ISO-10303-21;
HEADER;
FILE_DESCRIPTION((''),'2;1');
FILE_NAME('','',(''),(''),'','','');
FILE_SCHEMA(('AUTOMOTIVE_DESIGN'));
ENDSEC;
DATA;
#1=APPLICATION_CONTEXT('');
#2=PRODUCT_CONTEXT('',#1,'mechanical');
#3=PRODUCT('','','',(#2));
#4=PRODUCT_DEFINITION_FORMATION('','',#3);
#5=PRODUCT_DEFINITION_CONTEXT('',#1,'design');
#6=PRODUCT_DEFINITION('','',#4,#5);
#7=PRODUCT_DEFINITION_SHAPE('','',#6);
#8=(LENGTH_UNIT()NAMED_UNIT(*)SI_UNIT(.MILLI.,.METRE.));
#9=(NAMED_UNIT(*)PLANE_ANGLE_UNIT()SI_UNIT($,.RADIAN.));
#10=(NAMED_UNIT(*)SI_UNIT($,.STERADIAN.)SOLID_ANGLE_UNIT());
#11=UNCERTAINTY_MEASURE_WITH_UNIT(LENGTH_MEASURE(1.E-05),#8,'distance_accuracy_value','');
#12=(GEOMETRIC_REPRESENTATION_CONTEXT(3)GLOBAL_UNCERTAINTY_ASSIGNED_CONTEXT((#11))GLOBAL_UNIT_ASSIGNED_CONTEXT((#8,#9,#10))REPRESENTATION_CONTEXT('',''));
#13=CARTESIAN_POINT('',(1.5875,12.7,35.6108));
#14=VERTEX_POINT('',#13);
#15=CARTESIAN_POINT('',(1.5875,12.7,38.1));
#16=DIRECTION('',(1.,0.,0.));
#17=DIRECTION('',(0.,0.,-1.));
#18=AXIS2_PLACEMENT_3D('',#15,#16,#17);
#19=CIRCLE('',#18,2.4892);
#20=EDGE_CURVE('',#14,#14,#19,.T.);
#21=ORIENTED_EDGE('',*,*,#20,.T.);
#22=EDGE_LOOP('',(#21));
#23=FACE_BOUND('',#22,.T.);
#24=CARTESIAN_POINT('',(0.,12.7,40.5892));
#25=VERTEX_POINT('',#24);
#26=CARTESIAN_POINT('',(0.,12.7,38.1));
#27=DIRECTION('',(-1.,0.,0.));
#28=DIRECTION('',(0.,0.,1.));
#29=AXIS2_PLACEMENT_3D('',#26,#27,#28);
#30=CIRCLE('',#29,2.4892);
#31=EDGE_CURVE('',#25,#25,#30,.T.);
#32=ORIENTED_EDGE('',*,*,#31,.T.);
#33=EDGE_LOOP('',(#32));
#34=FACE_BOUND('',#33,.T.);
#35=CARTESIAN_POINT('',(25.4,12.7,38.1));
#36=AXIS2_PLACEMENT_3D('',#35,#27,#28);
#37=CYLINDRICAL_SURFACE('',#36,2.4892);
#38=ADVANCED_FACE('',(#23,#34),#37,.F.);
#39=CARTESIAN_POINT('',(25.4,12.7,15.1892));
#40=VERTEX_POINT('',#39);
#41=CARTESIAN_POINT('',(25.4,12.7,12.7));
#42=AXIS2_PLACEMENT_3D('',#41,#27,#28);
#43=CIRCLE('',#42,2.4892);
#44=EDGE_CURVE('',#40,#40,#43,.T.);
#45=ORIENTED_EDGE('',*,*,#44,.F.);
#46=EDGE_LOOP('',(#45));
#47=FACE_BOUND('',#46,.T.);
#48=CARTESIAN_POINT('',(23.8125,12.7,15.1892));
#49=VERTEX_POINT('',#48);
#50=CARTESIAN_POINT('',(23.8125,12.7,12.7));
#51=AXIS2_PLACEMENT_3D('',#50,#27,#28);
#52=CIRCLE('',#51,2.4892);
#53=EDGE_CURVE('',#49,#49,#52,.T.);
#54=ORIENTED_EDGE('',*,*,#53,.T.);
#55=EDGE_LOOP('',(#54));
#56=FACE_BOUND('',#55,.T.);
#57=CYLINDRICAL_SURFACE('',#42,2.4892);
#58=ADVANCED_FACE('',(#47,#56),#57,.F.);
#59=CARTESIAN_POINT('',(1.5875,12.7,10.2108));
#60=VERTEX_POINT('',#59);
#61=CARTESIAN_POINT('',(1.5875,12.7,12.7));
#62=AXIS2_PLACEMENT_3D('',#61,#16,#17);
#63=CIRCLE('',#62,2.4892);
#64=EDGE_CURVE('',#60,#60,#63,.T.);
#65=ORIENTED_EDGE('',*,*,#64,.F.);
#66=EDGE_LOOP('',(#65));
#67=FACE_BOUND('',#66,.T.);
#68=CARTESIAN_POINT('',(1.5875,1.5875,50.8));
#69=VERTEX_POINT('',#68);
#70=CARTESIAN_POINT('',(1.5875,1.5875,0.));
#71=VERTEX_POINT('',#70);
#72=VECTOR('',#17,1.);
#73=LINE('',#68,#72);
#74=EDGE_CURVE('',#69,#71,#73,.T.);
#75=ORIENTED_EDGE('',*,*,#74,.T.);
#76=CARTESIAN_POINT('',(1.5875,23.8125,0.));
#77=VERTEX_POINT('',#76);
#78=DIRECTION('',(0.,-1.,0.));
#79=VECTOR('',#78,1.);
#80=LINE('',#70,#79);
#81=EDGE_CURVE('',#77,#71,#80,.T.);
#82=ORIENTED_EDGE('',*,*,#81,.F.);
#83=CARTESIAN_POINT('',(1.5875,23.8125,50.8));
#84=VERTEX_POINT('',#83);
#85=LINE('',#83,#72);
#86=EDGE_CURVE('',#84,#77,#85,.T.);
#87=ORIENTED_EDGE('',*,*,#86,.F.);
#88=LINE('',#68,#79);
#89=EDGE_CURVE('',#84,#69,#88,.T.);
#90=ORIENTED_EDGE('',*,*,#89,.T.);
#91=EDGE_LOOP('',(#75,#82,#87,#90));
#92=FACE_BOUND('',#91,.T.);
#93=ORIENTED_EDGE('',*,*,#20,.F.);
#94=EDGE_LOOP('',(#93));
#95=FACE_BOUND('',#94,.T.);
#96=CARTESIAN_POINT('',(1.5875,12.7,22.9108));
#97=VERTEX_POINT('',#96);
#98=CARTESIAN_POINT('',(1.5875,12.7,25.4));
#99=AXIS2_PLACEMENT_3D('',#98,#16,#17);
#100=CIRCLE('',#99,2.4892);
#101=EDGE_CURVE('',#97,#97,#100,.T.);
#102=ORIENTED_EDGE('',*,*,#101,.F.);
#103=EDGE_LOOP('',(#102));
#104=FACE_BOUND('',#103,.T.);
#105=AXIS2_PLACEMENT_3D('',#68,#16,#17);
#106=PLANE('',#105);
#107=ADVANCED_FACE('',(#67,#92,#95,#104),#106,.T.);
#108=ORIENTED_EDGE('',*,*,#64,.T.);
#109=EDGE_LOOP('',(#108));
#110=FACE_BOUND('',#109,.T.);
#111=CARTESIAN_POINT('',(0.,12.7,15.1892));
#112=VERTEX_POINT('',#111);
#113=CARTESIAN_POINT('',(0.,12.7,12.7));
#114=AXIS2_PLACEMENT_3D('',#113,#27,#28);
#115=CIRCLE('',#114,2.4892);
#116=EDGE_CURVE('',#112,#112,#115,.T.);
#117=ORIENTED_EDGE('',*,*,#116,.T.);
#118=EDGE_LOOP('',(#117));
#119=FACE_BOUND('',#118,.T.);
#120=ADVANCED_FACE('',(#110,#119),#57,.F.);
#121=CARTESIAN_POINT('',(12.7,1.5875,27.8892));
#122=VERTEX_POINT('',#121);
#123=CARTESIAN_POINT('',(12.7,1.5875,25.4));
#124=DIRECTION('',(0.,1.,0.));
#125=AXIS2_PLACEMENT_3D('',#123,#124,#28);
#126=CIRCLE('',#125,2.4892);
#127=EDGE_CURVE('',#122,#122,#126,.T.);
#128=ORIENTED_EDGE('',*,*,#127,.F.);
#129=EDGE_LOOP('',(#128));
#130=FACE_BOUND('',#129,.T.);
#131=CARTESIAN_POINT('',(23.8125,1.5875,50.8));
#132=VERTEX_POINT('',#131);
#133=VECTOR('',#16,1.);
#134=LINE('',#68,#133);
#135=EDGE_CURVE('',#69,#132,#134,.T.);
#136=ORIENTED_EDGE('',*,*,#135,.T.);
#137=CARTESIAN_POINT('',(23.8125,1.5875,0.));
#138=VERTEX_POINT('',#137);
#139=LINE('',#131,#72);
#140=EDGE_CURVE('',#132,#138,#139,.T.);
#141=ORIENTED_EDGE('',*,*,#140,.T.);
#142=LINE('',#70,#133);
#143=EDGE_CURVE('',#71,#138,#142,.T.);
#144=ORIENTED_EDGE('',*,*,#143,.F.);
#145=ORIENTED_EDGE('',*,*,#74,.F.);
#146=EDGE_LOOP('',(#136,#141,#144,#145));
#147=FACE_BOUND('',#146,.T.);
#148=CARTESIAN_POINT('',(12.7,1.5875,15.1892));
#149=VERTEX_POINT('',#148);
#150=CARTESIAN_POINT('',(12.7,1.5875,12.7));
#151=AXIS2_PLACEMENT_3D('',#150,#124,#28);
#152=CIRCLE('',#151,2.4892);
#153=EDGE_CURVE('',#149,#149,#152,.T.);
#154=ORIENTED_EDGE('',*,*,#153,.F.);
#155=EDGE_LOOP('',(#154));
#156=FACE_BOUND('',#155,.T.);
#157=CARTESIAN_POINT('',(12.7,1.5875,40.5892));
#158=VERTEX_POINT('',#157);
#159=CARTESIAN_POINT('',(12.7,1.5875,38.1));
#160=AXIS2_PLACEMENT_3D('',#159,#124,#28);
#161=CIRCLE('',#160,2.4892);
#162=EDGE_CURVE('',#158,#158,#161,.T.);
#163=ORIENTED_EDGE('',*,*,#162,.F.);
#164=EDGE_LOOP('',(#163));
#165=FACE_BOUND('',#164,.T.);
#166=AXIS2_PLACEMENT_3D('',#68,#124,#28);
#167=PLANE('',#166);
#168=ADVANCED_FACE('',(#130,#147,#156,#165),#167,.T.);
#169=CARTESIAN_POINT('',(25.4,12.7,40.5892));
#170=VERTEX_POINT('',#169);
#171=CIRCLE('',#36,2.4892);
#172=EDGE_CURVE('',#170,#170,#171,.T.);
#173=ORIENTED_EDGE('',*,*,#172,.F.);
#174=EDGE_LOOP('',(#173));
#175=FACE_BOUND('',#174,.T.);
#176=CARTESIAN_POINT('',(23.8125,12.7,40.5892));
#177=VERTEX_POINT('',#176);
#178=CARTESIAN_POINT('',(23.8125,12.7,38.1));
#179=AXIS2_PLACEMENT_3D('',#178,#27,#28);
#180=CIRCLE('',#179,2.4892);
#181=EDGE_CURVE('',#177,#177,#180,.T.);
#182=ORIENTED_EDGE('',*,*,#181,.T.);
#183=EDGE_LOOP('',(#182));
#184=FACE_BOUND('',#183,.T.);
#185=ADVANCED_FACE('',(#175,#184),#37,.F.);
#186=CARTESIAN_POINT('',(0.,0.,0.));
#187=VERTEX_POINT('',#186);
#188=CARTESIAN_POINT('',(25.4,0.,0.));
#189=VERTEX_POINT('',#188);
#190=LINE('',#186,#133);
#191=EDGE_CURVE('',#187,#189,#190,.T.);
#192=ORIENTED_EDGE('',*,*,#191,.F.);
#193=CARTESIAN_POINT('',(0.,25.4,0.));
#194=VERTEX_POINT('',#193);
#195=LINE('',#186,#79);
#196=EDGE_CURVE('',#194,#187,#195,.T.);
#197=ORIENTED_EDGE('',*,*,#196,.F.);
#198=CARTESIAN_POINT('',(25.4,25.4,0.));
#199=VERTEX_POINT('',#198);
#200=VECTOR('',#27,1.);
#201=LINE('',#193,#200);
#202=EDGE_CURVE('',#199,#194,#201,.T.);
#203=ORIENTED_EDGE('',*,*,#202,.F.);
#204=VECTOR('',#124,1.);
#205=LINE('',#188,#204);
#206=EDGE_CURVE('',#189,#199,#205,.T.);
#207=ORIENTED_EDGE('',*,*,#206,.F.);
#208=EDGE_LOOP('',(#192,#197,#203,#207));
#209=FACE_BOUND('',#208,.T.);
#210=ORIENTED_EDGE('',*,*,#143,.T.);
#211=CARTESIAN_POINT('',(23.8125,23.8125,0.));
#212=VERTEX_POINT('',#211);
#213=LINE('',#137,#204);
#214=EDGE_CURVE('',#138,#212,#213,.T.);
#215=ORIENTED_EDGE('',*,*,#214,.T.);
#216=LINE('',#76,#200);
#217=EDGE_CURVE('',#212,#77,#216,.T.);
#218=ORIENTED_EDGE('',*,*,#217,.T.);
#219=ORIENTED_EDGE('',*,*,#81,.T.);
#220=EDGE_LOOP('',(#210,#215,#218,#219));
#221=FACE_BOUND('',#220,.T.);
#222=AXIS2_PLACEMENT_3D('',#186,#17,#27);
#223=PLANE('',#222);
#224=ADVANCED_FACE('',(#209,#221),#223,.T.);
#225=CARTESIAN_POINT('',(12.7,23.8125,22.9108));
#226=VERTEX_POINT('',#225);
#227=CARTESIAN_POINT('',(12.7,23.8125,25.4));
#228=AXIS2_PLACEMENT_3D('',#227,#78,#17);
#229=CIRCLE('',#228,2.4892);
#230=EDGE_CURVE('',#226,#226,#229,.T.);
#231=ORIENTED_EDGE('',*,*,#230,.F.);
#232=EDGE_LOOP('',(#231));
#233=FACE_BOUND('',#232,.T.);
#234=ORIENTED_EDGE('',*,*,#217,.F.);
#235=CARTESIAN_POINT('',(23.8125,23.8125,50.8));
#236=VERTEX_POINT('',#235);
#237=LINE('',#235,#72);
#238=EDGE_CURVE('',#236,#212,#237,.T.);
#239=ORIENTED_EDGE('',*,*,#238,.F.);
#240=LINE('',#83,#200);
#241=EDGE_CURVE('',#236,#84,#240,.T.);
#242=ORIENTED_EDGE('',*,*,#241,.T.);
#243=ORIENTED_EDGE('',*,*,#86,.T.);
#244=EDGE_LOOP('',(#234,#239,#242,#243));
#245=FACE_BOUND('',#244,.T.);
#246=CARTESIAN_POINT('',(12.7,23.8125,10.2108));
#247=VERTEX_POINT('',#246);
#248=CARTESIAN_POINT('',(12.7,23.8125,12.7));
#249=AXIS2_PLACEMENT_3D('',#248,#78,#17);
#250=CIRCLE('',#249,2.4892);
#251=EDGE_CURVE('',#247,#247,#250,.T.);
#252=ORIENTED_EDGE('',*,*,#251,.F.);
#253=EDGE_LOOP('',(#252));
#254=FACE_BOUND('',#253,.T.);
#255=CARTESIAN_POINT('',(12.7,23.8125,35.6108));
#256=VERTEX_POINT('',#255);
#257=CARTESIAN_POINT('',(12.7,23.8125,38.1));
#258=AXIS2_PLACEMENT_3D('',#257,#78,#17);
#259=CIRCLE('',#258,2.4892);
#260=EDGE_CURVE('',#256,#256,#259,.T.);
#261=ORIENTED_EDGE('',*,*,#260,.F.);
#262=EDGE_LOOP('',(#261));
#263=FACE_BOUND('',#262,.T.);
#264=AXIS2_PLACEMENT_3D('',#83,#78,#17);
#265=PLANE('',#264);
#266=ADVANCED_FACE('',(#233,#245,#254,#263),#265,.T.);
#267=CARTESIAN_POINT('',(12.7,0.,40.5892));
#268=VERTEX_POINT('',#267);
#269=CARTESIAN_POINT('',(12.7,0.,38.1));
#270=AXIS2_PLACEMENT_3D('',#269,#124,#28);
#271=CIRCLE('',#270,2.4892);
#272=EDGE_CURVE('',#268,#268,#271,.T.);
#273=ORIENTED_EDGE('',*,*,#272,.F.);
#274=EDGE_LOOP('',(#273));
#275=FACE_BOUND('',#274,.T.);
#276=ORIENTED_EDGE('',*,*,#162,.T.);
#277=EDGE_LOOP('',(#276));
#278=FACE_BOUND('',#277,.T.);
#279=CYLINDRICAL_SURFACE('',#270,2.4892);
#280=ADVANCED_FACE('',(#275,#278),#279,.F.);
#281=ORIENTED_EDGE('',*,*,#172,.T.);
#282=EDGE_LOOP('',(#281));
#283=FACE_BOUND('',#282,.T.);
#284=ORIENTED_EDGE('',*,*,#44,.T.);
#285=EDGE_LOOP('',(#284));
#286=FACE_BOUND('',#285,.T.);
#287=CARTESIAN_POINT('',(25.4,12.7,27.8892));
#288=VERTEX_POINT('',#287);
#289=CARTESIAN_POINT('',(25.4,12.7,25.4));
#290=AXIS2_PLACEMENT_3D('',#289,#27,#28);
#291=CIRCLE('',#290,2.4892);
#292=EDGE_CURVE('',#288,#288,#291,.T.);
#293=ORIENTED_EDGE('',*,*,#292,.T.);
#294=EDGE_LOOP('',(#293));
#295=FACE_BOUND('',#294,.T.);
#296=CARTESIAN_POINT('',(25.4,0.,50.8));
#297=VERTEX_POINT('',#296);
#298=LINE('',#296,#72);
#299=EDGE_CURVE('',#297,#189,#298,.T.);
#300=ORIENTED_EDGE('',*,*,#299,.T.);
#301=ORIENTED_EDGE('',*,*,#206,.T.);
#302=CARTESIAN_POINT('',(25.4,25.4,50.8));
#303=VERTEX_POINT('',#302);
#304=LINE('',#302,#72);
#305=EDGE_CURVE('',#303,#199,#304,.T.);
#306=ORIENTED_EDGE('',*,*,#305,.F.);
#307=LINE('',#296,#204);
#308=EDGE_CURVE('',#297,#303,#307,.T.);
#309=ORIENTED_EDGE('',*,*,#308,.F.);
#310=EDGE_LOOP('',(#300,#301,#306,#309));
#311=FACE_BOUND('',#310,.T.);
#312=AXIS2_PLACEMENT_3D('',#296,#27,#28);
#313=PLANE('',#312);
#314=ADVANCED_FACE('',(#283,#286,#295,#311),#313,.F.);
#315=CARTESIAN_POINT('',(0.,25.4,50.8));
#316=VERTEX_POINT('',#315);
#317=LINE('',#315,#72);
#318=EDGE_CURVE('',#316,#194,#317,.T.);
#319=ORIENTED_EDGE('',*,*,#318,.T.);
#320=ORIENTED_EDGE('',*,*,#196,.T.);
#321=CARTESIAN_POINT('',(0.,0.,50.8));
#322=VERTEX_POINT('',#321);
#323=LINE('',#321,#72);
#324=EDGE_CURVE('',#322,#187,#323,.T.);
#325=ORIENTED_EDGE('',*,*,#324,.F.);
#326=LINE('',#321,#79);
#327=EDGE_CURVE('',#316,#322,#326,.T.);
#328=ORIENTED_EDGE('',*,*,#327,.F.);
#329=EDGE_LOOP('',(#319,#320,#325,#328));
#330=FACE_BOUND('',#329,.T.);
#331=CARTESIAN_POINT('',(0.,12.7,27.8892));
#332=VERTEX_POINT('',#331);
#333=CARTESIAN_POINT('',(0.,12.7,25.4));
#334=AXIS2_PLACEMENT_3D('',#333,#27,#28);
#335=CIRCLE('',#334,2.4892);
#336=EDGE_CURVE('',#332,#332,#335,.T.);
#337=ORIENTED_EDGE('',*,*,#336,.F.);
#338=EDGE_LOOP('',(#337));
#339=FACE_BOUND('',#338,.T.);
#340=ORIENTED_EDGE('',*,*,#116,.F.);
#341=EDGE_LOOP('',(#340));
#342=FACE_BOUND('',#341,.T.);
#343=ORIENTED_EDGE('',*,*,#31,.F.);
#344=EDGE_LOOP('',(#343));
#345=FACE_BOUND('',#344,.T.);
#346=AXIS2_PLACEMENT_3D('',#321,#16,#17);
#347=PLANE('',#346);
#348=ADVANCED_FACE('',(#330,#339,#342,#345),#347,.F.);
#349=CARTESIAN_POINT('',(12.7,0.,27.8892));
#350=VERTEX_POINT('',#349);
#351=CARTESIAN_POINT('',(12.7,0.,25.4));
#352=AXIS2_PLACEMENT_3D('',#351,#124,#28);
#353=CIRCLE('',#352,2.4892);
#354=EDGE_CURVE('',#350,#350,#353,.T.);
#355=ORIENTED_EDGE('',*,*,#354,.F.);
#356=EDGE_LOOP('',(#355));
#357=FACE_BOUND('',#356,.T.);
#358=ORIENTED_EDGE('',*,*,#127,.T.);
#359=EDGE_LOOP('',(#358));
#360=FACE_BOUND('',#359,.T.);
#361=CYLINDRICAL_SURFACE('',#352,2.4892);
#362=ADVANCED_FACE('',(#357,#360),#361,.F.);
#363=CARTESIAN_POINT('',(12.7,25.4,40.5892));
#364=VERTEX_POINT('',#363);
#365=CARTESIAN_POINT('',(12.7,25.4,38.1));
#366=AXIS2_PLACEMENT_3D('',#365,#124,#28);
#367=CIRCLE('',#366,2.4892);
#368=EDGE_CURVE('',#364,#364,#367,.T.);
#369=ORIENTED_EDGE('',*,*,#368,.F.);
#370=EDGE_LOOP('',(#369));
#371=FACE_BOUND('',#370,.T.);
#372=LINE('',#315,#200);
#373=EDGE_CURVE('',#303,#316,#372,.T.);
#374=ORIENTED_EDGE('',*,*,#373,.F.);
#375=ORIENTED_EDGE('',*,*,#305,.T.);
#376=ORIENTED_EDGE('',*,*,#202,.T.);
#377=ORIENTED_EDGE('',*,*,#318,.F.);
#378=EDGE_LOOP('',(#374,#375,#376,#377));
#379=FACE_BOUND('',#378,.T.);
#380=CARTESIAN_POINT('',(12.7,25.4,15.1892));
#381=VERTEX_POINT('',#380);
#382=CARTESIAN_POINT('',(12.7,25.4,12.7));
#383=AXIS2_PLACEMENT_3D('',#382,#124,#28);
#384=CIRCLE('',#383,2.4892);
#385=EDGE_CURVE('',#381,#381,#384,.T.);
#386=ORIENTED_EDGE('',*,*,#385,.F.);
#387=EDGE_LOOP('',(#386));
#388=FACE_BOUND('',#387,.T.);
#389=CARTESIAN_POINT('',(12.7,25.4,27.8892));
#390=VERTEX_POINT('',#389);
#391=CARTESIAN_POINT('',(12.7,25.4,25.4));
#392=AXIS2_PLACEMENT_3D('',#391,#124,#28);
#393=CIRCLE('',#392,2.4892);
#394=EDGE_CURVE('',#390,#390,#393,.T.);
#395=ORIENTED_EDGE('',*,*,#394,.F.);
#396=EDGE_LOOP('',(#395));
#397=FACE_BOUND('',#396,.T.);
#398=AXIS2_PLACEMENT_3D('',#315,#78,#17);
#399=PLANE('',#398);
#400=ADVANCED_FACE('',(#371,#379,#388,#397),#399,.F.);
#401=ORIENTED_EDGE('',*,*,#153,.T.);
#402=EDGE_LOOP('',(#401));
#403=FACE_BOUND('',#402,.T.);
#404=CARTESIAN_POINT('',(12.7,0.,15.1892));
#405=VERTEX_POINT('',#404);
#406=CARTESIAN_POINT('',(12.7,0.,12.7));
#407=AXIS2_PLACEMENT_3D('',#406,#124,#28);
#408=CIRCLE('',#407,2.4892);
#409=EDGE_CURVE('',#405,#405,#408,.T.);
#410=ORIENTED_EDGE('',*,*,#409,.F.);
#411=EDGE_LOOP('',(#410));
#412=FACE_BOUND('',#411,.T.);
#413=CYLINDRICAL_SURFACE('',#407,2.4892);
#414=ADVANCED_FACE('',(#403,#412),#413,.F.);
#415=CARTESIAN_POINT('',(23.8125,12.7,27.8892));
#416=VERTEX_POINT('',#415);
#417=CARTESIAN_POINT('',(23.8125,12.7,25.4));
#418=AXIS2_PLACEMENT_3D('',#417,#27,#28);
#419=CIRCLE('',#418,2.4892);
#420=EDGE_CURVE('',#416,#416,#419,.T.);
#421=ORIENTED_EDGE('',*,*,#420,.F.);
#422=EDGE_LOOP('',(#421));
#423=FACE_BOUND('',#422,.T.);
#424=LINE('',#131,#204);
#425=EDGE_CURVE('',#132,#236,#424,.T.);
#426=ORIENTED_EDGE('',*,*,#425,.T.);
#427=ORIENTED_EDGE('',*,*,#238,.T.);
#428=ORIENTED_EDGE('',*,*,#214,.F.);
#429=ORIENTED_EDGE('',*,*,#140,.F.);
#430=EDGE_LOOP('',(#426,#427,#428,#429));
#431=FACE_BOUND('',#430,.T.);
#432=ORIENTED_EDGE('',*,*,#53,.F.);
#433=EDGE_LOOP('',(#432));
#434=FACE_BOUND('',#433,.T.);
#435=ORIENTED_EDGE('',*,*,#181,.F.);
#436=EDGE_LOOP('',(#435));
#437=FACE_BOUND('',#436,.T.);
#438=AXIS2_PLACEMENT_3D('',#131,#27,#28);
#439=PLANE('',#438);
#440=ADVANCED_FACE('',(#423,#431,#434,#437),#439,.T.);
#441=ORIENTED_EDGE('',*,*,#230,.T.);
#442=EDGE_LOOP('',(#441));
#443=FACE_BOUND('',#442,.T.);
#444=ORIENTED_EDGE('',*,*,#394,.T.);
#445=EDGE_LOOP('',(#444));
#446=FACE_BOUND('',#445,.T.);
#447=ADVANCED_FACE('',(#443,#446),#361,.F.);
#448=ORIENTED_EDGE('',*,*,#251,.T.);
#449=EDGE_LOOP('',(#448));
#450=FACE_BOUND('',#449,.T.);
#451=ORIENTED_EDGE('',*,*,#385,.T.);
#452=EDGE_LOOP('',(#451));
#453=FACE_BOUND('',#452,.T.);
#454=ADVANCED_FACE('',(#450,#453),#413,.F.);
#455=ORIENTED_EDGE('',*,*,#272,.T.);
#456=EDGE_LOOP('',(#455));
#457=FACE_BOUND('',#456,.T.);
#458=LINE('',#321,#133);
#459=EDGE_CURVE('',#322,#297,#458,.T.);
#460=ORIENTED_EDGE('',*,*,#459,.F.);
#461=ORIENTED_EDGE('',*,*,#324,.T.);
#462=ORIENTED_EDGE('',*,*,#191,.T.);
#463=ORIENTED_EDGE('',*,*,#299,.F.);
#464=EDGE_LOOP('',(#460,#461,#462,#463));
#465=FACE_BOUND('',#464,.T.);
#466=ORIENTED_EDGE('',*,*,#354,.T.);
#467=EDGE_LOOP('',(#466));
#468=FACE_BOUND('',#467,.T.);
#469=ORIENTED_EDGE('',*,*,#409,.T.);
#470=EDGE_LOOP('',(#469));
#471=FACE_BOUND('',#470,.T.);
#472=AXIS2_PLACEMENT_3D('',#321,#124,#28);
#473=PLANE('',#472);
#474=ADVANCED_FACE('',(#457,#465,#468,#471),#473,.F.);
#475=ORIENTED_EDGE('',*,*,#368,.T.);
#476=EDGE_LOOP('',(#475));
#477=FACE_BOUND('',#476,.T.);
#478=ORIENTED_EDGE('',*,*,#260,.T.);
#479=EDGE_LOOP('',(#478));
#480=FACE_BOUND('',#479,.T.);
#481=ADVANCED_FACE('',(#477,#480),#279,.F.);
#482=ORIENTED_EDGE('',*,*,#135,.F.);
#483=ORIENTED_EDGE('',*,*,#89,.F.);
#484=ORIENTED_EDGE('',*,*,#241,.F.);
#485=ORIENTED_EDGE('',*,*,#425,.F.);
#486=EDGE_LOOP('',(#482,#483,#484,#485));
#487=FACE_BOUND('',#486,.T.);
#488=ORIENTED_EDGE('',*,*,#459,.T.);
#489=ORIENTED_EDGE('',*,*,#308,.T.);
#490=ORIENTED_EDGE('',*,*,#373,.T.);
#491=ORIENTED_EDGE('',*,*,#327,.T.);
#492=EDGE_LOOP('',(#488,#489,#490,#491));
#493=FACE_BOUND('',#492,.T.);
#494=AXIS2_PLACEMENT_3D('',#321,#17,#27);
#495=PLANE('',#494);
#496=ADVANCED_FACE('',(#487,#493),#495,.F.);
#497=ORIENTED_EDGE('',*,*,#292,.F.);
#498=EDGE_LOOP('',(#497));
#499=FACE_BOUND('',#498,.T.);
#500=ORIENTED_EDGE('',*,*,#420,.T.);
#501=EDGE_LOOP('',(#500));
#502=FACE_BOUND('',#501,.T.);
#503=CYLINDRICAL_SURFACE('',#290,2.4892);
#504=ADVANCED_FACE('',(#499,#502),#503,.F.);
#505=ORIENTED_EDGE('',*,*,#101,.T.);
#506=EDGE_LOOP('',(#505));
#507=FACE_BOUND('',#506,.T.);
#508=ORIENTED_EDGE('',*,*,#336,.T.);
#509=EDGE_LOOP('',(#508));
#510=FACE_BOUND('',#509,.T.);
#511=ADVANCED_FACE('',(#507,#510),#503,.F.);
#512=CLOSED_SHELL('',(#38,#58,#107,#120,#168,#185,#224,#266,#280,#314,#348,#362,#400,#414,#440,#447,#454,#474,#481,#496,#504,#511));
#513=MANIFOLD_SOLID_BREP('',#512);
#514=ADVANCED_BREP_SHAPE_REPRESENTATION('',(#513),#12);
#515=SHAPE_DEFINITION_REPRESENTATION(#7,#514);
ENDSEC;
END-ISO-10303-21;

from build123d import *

# Parameters (mm, degrees)
SKETCH1_W           = 25.4
SKETCH1_H           = 25.4
SKETCH1_W_2         = 22.225
SKETCH1_H_2         = 22.225
BOSS_EXTRUDE1_DEPTH = 50.8
SKETCH2_R           = 2.4892
CUT_EXTRUDE1_DEPTH  = 26.4
SKETCH3_R           = 2.4892
CUT_EXTRUDE2_DEPTH  = 26.4


with BuildPart() as part:
    # Sketch1 → Boss-Extrude1 (new body)
    with BuildSketch(Plane.XY):
        with Locations((12.7, 12.7)):
            Rectangle(SKETCH1_W, SKETCH1_H)
        with Locations((12.7, 12.7)):
            Rectangle(SKETCH1_W_2, SKETCH1_H_2, mode=Mode.SUBTRACT)
    extrude(amount=BOSS_EXTRUDE1_DEPTH)

    # Sketch2 → Cut-Extrude1 (cut, through all)
    with BuildSketch(Plane(origin=(0, 25.4, 0), x_dir=(1, 0, 0), z_dir=(0, 1, 0))):
        with Locations((12.7, -12.7)):
            Circle(SKETCH2_R)
        with Locations((12.7, -25.4)):
            Circle(SKETCH2_R)
        with Locations((12.7, -38.1)):
            Circle(SKETCH2_R)
    extrude(amount=-CUT_EXTRUDE1_DEPTH, mode=Mode.SUBTRACT)

    # Sketch3 → Cut-Extrude2 (cut, through all)
    with BuildSketch(Plane.ZY):
        with Locations((12.7, 12.7)):
            Circle(SKETCH3_R)
        with Locations((25.4, 12.7)):
            Circle(SKETCH3_R)
        with Locations((38.1, 12.7)):
            Circle(SKETCH3_R)
    extrude(amount=-CUT_EXTRUDE2_DEPTH, mode=Mode.SUBTRACT)


solid = part.part
